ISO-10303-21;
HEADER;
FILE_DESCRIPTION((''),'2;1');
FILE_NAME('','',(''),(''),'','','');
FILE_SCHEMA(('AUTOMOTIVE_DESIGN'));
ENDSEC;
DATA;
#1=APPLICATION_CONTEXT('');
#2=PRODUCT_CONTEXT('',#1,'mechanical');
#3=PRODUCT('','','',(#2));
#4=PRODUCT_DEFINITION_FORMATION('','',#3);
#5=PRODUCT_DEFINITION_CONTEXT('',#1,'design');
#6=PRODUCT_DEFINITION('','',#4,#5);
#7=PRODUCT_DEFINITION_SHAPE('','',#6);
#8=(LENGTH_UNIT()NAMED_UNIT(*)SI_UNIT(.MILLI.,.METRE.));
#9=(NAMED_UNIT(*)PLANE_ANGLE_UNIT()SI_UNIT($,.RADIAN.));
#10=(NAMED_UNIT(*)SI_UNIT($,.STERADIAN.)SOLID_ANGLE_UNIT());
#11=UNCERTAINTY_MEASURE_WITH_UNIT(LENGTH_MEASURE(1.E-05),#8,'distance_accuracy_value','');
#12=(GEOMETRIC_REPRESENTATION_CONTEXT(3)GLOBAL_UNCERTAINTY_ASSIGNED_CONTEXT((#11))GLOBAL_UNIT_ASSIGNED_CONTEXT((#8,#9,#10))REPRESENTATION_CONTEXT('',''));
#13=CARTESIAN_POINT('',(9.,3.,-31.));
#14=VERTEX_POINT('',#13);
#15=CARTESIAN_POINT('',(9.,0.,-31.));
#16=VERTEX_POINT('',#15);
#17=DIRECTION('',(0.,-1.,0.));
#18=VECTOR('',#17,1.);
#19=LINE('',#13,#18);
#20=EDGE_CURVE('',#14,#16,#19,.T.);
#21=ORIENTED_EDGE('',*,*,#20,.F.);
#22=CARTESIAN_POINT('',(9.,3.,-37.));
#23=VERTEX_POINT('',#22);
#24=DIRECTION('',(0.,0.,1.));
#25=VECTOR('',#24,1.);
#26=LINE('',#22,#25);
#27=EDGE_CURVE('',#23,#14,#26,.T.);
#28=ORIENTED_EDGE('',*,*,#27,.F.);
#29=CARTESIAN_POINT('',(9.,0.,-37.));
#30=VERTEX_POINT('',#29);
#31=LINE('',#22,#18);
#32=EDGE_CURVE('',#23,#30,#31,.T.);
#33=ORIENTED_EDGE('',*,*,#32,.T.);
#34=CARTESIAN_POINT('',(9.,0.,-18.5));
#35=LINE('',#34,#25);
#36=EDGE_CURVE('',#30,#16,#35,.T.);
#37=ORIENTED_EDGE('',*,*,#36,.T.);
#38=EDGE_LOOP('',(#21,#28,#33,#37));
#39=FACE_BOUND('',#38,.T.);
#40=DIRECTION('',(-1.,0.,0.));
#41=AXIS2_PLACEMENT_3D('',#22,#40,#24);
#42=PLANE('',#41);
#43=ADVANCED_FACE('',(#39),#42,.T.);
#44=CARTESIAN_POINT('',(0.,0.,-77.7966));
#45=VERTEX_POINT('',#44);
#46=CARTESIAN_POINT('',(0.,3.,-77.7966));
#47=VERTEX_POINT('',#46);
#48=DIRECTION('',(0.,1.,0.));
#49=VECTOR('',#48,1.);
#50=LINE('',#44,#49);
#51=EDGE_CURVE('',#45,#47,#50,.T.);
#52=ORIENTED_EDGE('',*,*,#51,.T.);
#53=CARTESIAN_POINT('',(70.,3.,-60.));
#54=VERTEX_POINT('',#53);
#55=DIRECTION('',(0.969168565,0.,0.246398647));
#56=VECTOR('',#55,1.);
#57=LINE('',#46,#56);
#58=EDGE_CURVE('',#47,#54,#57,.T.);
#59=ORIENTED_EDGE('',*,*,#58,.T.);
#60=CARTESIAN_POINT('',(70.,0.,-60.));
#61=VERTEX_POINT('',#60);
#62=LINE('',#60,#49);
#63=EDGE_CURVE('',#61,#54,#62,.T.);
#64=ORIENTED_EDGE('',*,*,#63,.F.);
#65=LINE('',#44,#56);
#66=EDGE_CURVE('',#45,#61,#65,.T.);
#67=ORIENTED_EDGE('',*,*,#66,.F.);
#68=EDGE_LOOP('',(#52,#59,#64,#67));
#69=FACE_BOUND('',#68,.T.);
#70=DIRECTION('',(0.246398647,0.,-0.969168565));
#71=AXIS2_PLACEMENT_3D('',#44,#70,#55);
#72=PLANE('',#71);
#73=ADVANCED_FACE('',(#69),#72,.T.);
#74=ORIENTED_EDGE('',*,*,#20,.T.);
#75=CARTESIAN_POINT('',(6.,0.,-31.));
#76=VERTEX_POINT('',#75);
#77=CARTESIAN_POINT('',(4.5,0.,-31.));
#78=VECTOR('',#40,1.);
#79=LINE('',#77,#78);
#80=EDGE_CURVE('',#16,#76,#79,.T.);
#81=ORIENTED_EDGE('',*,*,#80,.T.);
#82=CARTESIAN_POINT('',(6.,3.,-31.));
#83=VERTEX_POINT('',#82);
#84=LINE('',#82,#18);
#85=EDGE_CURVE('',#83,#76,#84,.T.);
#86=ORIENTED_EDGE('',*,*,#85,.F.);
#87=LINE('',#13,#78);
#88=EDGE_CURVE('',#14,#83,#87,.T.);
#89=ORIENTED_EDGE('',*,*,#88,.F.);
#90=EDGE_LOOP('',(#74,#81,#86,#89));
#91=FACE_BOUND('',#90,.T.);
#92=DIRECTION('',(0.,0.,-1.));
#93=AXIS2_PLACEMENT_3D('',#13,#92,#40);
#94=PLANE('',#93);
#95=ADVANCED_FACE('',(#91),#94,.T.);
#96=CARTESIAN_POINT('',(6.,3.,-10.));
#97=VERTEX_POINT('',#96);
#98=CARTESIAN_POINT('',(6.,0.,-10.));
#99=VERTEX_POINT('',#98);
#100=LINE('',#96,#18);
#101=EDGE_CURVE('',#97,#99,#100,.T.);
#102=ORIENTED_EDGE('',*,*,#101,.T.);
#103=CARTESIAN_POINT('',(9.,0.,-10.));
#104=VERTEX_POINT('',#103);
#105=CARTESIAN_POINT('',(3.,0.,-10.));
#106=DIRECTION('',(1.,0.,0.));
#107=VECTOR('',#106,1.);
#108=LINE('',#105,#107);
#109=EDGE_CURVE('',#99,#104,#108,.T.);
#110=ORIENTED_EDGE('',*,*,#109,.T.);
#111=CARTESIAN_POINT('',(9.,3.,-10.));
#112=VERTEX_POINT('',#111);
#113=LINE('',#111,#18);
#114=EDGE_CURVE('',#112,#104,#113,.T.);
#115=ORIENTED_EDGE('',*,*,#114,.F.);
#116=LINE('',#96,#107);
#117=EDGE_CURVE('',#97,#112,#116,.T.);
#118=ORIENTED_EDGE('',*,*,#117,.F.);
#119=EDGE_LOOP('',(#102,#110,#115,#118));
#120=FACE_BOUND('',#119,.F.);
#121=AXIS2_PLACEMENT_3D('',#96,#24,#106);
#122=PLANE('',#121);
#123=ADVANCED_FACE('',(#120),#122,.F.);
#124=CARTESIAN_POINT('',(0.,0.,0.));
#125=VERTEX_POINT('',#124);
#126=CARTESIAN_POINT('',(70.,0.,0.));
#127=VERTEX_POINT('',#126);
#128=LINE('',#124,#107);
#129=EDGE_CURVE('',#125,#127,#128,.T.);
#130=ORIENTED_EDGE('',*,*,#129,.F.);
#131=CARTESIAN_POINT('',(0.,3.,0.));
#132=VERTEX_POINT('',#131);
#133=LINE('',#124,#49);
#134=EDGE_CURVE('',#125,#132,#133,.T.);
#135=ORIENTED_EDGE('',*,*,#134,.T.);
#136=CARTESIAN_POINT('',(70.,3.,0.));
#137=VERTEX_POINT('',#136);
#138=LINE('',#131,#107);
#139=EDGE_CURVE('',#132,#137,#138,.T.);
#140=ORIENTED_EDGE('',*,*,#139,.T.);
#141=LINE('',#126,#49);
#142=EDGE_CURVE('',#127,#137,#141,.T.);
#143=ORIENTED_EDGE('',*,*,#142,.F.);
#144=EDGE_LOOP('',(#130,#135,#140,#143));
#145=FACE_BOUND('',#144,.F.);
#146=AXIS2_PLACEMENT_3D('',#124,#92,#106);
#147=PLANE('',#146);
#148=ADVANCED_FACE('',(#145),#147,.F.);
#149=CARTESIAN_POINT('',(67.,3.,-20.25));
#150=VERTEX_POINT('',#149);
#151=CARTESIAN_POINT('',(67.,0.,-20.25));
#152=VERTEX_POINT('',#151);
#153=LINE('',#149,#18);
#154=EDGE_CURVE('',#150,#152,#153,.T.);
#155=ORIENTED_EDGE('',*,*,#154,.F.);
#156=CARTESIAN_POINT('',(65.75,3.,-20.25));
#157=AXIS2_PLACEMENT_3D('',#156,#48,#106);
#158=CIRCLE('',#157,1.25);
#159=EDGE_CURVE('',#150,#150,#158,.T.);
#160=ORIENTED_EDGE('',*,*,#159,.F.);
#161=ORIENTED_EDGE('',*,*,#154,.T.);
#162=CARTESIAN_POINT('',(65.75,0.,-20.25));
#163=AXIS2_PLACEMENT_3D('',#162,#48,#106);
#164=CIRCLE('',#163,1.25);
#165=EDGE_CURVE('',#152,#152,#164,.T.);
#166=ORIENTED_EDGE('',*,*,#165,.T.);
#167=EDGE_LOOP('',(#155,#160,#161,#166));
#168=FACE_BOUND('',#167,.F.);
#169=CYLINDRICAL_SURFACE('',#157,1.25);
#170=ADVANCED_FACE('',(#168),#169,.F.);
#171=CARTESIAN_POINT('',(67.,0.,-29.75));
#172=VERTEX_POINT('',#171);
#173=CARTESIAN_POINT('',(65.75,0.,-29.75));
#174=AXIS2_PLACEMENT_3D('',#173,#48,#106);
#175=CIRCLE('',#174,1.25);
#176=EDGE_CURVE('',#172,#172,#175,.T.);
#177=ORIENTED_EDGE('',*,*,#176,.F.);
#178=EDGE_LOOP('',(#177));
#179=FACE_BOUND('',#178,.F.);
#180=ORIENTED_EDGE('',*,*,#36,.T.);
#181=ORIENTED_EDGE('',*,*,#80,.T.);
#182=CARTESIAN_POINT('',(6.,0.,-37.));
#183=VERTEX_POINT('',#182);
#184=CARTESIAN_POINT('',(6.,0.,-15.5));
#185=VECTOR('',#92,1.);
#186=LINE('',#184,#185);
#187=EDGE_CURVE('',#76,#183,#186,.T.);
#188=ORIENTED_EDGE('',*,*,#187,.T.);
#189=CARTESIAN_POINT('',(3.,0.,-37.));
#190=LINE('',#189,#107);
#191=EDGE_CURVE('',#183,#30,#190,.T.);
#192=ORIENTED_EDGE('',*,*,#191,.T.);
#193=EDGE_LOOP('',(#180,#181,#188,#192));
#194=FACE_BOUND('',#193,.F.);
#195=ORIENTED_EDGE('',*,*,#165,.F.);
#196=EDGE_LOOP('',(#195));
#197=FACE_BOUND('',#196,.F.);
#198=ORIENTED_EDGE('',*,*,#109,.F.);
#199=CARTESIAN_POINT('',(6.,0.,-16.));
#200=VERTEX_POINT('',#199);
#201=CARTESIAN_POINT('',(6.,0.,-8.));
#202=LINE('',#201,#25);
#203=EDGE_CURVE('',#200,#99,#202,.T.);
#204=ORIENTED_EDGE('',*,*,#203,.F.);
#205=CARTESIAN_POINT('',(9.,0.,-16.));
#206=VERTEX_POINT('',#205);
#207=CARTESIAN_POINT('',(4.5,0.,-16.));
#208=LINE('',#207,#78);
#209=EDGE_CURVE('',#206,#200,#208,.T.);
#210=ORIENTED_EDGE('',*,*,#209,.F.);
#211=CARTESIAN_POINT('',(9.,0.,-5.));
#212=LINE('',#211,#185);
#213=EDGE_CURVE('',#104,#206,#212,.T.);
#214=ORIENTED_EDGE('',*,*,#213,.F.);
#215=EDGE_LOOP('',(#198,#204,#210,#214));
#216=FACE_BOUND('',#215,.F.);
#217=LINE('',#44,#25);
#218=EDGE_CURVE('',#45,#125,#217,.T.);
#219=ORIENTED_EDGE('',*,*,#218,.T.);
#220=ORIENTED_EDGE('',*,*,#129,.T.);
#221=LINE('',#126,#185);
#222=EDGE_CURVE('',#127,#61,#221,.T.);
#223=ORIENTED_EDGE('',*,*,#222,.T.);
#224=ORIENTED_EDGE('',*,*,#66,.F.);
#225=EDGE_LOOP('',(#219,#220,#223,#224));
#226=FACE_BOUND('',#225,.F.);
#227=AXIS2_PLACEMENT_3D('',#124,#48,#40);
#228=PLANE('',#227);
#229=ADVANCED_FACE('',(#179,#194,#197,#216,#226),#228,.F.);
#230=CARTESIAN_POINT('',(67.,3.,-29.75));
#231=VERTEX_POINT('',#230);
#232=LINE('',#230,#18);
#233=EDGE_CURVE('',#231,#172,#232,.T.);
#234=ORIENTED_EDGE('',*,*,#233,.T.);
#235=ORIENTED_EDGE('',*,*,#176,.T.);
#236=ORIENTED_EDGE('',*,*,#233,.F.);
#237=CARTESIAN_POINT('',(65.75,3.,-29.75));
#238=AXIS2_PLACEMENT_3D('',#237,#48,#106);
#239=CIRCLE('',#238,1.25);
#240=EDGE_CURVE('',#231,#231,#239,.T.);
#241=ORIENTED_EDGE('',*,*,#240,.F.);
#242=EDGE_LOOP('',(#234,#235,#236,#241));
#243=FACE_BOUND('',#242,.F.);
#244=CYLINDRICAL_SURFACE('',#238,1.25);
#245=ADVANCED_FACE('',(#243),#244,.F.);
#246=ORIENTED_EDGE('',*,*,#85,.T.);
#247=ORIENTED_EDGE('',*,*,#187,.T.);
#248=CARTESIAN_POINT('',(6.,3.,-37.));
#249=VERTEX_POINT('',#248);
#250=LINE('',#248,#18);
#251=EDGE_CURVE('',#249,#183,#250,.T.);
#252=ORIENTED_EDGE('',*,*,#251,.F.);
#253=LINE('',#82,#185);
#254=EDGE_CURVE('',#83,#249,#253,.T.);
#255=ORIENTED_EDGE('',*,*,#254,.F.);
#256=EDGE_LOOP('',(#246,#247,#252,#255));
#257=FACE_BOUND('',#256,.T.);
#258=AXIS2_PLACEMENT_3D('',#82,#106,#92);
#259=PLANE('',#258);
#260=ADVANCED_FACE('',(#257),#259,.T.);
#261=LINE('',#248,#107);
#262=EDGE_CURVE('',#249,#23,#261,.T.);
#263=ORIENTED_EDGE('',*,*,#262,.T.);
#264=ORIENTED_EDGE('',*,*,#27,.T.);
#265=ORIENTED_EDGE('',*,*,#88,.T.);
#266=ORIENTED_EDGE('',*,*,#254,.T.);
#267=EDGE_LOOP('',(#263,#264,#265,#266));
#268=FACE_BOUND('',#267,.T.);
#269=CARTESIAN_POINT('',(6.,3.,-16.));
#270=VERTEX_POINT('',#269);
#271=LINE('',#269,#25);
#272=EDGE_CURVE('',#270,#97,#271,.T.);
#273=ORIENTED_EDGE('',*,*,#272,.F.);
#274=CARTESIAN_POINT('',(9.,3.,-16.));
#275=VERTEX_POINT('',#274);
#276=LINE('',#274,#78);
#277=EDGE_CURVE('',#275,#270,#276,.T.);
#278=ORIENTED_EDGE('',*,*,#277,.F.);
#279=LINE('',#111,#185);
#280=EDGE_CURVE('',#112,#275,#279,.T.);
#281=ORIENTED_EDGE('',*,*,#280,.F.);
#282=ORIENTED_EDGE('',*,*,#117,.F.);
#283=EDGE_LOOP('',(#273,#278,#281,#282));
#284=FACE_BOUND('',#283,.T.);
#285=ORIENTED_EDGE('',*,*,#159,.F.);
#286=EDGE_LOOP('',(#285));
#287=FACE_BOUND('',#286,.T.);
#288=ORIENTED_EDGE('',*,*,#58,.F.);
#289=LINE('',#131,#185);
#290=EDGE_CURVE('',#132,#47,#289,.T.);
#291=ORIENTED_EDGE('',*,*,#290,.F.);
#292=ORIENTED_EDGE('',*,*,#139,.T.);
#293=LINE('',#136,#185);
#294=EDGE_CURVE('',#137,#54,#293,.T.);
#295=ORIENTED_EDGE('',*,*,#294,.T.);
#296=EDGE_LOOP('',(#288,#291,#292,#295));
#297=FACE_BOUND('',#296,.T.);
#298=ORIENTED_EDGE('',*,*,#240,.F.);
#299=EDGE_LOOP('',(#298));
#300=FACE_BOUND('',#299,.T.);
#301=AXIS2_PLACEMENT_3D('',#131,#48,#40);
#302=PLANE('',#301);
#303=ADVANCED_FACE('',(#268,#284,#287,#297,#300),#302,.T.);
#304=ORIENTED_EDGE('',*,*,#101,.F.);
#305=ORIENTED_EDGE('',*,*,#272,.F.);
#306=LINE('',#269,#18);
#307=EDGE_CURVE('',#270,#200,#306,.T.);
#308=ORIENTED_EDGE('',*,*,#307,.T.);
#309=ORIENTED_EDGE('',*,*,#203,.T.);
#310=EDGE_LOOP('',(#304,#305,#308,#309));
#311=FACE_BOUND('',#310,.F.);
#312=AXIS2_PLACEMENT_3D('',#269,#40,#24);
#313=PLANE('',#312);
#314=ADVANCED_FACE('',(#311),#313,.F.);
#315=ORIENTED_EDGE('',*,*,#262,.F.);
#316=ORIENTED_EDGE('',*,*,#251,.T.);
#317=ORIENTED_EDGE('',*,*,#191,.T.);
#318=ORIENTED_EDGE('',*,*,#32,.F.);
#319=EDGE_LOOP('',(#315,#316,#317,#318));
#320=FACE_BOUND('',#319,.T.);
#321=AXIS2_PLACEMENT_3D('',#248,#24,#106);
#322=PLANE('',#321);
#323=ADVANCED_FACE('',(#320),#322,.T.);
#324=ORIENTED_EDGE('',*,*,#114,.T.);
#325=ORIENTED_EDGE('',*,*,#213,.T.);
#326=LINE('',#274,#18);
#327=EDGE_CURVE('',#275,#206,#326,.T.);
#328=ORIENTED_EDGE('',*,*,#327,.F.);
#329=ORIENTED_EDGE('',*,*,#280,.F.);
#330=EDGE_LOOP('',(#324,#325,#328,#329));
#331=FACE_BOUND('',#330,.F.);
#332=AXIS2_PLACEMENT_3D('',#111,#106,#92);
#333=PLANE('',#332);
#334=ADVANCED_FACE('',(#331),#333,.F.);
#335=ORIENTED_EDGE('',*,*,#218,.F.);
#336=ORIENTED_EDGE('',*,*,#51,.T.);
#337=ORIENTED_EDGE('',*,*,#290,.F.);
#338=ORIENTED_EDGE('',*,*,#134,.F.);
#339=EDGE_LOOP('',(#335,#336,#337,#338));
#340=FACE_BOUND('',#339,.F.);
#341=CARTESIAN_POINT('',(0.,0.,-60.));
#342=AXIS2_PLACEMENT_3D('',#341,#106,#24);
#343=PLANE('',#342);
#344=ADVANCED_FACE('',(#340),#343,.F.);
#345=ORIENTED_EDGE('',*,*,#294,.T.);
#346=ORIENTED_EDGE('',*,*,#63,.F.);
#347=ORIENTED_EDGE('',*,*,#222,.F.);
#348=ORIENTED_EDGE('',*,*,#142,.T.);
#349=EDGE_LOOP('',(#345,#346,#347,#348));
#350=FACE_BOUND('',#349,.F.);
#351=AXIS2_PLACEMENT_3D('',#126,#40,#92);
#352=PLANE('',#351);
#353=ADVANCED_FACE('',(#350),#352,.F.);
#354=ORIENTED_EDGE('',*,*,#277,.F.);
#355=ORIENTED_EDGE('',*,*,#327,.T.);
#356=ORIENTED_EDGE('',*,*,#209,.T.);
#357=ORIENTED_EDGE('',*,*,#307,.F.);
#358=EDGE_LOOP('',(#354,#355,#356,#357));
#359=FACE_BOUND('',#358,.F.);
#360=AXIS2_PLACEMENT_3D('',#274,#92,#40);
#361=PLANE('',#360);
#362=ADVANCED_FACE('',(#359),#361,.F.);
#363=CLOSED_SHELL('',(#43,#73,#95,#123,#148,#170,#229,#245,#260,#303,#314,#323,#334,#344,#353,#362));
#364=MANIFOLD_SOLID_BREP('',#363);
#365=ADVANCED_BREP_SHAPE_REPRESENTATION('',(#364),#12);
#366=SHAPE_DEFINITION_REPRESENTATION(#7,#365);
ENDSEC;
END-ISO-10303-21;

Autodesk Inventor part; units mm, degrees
ref_plane "YZ Plane" through (0, 0, 0) normal (1, 0, 0) x (0, 1, 0)
ref_plane "XZ Plane" through (0, 0, 0) normal (0, 1, 0) x (-1, 0, 0)
ref_plane "XY Plane" through (0, 0, 0) normal (0, 0, 1) x (1, 0, 0)
sketch "Sketch1" plane through (0, 0, 0) normal (0, 1, 0) x (-1, 0, 0)
  line L0 (0, 0) -> (-70, 0)
  line L1 (-70, 0) -> (-70, -60)
  line L2 (-70, -60) -> (0, -60)
  line L3 (0, -60) -> (0, 0)
  line L4 (0, -60) -> (0, -77.7966)
  line L5 (0, -77.7966) -> (-70, -60)
  dimension "d0" = 70
  dimension "d1" = 60
  dimension "d23" = 14.264
extrude "Extrusion1" add sketch "Sketch1" along normal blind 3
sketch "Sketch3" plane through (0, 3, 0) normal (0, 1, 0) x (1, 0, 0)
  circle A0 centre (65.75, 20.25) radius 1.25
  circle A1 centre (65.75, 29.75) radius 1.25
  line L0 (70, 0) -> (70, 60) projected
  line L1 (0, 0) -> (70, 0) projected
  line L2 (6, 10) -> (9, 10)
  line L3 (9, 10) -> (9, 16)
  line L4 (9, 16) -> (6, 16)
  line L5 (6, 16) -> (6, 10)
  line L6 (6, 37) -> (9, 37)
  line L7 (9, 37) -> (9, 31)
  line L8 (9, 31) -> (6, 31)
  line L9 (6, 31) -> (6, 37)
  line L10 (0, 77.7966) -> (0, 0) projected
  dimension "d15" = 2.5
  dimension "d16" = 4.25
  dimension "d17" = 4.25
  dimension "d18" = 2.5
  dimension "d19" = 20.25
  dimension "d20" = 9.5
  dimension "d24" = 3
  dimension "d25" = 6
  dimension "d26" = 6
  dimension "d27" = 10
  dimension "d28" = 15
  dimension "d29" = 6
extrude "Extrusion3" cut sketch "Sketch3" along normal through all both and the other way through all
equation "\"d17\" = d16"
equation "\"d18\" = d15"
properties part number "pinball-case-left-wall-outer-scaled"
